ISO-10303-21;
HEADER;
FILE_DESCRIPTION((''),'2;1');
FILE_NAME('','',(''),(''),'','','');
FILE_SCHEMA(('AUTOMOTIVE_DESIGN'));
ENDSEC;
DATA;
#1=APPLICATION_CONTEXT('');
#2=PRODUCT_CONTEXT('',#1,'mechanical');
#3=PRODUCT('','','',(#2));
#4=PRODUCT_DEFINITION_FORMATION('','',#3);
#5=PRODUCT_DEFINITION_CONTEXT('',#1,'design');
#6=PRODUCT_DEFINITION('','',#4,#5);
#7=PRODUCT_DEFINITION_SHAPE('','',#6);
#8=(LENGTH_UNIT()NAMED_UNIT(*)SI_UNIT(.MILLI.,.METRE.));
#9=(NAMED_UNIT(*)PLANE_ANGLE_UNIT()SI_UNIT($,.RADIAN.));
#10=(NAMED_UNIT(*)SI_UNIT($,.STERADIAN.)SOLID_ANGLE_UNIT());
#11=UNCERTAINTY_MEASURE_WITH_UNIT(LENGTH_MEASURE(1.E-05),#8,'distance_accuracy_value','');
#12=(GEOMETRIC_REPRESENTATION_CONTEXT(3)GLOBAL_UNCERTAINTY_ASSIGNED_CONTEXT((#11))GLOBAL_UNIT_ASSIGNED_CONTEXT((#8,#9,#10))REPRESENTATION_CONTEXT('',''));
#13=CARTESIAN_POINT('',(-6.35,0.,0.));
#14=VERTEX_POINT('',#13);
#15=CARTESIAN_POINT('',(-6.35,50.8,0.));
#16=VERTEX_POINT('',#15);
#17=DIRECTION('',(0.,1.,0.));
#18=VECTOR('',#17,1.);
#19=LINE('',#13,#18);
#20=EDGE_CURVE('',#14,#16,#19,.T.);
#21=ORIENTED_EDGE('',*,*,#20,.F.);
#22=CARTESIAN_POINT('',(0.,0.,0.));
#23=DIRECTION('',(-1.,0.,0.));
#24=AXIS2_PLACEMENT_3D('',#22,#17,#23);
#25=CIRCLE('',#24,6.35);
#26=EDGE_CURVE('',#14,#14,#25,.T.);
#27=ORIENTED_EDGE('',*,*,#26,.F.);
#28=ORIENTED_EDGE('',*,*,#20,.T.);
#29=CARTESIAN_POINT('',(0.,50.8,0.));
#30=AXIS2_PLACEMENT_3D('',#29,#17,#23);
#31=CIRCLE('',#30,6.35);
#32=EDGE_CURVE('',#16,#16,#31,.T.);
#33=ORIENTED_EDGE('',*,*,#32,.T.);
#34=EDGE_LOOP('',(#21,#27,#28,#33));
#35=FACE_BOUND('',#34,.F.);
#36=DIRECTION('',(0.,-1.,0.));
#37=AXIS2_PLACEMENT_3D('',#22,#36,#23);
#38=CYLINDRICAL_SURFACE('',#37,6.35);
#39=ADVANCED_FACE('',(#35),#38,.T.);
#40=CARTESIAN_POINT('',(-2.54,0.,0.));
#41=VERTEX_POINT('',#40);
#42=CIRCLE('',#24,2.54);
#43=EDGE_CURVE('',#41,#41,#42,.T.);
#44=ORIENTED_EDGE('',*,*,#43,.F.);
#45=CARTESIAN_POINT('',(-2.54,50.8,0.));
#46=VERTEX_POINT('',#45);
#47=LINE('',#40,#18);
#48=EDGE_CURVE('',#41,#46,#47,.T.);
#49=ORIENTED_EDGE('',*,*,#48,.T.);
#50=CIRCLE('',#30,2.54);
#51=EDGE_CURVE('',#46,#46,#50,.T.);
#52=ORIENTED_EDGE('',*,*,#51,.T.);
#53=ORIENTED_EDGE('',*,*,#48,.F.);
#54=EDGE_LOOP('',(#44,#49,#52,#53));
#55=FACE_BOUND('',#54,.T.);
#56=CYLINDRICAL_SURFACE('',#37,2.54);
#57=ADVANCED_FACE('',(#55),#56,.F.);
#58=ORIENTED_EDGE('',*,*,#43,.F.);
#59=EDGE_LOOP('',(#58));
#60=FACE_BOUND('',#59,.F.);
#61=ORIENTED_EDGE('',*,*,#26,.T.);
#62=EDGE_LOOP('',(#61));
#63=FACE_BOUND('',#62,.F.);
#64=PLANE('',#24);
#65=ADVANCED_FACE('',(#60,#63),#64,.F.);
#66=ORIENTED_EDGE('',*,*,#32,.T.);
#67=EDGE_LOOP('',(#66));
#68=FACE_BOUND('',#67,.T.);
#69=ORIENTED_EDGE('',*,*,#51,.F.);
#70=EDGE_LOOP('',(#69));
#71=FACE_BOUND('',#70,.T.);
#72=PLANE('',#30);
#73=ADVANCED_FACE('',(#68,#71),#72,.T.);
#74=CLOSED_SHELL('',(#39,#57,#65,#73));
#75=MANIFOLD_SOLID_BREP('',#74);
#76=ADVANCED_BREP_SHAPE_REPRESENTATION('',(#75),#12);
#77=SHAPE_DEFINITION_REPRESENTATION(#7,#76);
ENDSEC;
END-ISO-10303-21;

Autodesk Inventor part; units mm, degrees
ref_plane "YZ Plane" through (0, 0, 0) normal (1, 0, 0) x (0, 1, 0)
ref_plane "XZ Plane" through (0, 0, 0) normal (0, 1, 0) x (-1, 0, 0)
ref_plane "XY Plane" through (0, 0, 0) normal (0, 0, 1) x (1, 0, 0)
sketch "Sketch1" plane through (0, 0, 0) normal (0, 1, 0) x (-1, 0, 0)
  circle A0 centre (0, 0) radius 6.35
  circle A1 centre (0, 0) radius 2.54
  dimension "d0" = 12.7
  dimension "d1" = 5.08
extrude "Extrusion1" add sketch "Sketch1" along normal blind 50.8
properties part number "ELEV_017_SPACER1" material "Aluminum 6061"
